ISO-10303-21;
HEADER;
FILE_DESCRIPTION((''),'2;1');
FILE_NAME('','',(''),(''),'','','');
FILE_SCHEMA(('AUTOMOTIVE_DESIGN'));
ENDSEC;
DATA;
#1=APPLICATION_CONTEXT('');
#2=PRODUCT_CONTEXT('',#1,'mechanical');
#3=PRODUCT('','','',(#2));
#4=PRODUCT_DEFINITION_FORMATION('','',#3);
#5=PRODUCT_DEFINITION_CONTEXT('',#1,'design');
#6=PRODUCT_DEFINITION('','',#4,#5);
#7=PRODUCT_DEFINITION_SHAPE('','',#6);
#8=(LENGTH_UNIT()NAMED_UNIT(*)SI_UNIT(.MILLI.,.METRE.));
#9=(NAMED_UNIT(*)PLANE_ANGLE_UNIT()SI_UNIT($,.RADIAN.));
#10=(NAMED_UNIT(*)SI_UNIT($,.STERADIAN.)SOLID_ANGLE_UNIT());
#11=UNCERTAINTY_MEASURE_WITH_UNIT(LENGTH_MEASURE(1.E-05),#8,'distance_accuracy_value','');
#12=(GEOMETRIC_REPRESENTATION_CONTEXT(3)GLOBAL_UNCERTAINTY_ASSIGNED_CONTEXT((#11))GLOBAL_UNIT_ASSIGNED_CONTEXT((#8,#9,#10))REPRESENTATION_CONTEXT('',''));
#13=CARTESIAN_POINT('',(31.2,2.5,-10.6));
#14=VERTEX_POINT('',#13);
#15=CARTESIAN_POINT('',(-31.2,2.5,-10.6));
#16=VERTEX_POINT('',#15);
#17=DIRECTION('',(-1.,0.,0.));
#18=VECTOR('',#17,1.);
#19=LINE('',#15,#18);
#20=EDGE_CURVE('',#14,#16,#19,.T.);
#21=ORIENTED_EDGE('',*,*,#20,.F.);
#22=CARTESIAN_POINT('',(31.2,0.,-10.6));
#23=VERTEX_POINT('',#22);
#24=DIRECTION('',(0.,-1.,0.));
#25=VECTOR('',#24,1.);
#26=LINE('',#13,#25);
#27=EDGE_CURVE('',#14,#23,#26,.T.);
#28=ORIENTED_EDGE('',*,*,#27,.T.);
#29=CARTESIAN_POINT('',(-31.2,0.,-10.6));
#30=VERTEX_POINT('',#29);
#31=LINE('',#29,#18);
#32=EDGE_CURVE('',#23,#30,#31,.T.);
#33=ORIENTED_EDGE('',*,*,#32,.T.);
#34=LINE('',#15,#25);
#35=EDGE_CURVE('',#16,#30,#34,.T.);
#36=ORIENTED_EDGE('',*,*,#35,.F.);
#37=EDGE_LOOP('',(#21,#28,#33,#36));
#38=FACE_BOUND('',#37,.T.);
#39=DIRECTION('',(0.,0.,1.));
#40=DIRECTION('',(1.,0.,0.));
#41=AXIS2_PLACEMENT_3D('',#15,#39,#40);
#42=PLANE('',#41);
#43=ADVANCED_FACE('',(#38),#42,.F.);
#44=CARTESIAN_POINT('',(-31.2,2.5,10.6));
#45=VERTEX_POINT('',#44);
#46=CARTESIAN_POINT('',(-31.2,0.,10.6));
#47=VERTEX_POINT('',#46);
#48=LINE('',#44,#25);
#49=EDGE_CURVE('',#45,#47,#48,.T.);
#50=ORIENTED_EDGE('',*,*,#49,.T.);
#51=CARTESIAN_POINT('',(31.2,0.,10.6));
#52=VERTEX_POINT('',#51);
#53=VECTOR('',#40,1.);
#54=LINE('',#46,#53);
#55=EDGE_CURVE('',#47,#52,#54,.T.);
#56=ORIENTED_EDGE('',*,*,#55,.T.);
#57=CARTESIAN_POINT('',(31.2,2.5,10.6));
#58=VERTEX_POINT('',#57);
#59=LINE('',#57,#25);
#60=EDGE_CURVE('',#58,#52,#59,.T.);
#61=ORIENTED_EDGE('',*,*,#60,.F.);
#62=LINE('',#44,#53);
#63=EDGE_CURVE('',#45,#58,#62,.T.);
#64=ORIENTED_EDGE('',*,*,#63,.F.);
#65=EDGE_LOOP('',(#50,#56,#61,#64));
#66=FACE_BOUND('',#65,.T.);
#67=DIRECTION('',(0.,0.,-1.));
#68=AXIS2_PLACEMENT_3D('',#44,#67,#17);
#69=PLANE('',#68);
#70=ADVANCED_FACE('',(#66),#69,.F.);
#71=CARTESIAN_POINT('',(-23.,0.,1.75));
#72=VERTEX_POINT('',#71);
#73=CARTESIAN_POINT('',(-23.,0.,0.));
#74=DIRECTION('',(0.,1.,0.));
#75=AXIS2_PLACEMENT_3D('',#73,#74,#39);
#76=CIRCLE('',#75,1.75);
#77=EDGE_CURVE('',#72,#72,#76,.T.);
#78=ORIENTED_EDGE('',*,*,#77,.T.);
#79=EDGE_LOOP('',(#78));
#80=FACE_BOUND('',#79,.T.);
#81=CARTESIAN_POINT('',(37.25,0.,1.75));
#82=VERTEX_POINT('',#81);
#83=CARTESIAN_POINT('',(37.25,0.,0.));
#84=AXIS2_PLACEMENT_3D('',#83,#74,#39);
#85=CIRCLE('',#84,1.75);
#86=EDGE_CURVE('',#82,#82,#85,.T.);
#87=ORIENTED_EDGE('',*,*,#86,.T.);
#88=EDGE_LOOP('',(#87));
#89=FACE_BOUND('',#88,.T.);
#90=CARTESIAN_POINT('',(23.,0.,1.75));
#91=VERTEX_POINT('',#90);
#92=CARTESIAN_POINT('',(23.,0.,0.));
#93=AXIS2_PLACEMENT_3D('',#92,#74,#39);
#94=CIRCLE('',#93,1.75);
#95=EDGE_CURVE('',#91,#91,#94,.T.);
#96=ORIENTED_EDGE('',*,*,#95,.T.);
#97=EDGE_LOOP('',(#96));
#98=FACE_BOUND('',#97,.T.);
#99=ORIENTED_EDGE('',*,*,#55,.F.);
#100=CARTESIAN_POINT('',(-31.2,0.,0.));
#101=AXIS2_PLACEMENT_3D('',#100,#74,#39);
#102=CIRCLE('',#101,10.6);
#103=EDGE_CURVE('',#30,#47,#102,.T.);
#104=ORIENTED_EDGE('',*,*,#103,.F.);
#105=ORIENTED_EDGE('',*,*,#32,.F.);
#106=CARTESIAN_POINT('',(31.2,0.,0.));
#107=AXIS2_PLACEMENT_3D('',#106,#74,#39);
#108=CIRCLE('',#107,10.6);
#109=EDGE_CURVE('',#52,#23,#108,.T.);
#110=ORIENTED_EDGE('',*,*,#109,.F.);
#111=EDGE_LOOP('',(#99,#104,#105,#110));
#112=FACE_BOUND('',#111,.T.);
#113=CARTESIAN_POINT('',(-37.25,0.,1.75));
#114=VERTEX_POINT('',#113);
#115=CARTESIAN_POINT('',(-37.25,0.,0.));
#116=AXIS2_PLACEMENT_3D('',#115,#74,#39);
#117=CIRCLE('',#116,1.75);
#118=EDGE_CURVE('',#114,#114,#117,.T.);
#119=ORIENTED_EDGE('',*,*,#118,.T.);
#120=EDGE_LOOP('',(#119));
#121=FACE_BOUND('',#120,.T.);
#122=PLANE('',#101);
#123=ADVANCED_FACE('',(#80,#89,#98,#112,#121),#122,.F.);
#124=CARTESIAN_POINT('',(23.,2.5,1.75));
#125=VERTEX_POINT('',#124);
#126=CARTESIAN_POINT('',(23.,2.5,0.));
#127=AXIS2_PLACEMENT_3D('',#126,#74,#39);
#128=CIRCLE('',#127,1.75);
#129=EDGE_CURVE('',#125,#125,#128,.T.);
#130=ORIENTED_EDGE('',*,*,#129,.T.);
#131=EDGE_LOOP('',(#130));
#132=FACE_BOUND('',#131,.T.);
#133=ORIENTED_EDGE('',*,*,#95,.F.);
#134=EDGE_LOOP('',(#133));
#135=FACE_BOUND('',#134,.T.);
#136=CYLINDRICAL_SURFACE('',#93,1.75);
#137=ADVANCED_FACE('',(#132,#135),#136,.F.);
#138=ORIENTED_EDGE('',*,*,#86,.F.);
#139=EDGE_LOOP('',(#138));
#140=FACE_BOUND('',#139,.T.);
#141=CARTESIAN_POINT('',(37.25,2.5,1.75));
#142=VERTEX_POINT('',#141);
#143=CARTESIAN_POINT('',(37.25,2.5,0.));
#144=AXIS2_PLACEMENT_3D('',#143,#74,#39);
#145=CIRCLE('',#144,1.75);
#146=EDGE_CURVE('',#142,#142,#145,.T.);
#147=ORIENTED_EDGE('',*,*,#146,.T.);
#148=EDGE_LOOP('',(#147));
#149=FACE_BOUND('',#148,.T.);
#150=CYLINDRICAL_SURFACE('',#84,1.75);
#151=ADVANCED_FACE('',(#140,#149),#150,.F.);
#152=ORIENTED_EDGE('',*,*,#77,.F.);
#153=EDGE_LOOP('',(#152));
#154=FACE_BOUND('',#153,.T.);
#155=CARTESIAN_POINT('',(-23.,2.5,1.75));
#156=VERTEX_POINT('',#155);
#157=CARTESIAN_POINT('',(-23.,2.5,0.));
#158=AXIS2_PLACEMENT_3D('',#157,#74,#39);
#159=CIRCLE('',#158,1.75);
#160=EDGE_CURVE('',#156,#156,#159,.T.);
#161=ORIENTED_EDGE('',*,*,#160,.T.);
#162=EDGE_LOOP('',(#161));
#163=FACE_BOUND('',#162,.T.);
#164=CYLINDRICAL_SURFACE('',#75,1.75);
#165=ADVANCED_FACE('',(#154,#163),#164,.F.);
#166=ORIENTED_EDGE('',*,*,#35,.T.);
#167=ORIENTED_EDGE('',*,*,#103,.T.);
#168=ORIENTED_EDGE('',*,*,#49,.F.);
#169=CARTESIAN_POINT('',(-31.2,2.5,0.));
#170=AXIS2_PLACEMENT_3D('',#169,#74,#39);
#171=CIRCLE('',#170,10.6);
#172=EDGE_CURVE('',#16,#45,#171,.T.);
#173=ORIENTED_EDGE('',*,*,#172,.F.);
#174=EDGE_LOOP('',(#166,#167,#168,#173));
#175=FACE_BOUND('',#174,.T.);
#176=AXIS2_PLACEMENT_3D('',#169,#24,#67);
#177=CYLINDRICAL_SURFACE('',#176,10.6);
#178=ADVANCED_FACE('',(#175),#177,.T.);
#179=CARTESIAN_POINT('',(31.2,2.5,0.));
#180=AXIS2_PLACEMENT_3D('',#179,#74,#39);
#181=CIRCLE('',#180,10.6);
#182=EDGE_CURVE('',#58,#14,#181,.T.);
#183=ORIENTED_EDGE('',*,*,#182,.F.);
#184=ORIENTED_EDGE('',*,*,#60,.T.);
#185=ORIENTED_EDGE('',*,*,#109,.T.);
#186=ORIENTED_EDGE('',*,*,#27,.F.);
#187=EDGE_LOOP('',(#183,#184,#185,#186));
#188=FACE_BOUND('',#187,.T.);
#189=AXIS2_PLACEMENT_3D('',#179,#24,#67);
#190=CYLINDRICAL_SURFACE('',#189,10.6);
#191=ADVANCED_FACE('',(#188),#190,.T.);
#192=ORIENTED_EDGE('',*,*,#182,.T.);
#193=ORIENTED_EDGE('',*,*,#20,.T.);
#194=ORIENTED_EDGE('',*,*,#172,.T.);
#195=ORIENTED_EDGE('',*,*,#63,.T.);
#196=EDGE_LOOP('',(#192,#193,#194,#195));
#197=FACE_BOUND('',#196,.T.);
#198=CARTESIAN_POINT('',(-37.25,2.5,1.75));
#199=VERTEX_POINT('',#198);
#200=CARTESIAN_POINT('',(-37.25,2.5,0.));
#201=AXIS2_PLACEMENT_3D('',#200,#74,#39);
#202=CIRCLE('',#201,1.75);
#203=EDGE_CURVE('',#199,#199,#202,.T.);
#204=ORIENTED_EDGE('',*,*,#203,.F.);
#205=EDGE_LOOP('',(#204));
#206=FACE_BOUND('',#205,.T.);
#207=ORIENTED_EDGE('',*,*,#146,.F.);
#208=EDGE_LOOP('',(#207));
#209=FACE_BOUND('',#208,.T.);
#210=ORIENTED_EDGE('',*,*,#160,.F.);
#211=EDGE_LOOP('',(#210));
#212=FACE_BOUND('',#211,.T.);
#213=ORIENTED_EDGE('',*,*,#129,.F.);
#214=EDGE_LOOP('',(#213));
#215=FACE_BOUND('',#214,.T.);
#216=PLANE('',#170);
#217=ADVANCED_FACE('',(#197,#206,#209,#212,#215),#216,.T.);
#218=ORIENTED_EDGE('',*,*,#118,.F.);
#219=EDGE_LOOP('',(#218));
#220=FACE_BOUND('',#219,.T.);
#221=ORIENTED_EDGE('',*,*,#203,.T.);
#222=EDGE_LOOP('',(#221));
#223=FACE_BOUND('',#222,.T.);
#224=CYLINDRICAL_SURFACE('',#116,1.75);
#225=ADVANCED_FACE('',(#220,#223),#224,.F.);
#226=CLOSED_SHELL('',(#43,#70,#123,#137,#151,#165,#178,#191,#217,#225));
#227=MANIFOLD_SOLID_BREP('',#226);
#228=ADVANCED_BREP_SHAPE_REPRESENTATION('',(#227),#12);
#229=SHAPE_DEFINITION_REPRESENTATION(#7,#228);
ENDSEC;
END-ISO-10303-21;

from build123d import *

# Parameters (mm, degrees)
BOSS_EXTRUDE1_DEPTH = 2.5
SKETCH2_R           = 1.75
CUT_EXTRUDE1_DEPTH  = 44.195485875


with BuildPart() as part:
    # Sketch1 → Boss-Extrude1 (new body)
    with BuildSketch(Plane(origin=(0, 0, 0), x_dir=(1, 0, 0), z_dir=(0, 1, 0))):
        with BuildLine():
            Line((-31.2, 10.6), (31.2, 10.6))
            ThreePointArc((31.2, 10.6), (41.8, 0), (31.2, -10.6))
            Line((31.2, -10.6), (-31.2, -10.6))
            ThreePointArc((-31.2, -10.6), (-41.8, 0), (-31.2, 10.6))
        make_face()
    extrude(amount=BOSS_EXTRUDE1_DEPTH)

    # Sketch2 → Cut-Extrude1 (cut, through all)
    with BuildSketch(Plane(origin=(0, 2.5, 0), x_dir=(1, 0, 0), z_dir=(0, 1, 0))):
        with Locations(Location((-37.25, 0, 0), (0, 0, 270))):
            Circle(SKETCH2_R)
        with Locations(Location((-23, 0, 0), (0, 0, 270))):
            Circle(SKETCH2_R)
        with Locations(Location((23, 0, 0), (0, 0, 270))):
            Circle(SKETCH2_R)
        with Locations(Location((37.25, 0, 0), (0, 0, 270))):
            Circle(SKETCH2_R)
    extrude(amount=-CUT_EXTRUDE1_DEPTH, mode=Mode.SUBTRACT)


solid = part.part
